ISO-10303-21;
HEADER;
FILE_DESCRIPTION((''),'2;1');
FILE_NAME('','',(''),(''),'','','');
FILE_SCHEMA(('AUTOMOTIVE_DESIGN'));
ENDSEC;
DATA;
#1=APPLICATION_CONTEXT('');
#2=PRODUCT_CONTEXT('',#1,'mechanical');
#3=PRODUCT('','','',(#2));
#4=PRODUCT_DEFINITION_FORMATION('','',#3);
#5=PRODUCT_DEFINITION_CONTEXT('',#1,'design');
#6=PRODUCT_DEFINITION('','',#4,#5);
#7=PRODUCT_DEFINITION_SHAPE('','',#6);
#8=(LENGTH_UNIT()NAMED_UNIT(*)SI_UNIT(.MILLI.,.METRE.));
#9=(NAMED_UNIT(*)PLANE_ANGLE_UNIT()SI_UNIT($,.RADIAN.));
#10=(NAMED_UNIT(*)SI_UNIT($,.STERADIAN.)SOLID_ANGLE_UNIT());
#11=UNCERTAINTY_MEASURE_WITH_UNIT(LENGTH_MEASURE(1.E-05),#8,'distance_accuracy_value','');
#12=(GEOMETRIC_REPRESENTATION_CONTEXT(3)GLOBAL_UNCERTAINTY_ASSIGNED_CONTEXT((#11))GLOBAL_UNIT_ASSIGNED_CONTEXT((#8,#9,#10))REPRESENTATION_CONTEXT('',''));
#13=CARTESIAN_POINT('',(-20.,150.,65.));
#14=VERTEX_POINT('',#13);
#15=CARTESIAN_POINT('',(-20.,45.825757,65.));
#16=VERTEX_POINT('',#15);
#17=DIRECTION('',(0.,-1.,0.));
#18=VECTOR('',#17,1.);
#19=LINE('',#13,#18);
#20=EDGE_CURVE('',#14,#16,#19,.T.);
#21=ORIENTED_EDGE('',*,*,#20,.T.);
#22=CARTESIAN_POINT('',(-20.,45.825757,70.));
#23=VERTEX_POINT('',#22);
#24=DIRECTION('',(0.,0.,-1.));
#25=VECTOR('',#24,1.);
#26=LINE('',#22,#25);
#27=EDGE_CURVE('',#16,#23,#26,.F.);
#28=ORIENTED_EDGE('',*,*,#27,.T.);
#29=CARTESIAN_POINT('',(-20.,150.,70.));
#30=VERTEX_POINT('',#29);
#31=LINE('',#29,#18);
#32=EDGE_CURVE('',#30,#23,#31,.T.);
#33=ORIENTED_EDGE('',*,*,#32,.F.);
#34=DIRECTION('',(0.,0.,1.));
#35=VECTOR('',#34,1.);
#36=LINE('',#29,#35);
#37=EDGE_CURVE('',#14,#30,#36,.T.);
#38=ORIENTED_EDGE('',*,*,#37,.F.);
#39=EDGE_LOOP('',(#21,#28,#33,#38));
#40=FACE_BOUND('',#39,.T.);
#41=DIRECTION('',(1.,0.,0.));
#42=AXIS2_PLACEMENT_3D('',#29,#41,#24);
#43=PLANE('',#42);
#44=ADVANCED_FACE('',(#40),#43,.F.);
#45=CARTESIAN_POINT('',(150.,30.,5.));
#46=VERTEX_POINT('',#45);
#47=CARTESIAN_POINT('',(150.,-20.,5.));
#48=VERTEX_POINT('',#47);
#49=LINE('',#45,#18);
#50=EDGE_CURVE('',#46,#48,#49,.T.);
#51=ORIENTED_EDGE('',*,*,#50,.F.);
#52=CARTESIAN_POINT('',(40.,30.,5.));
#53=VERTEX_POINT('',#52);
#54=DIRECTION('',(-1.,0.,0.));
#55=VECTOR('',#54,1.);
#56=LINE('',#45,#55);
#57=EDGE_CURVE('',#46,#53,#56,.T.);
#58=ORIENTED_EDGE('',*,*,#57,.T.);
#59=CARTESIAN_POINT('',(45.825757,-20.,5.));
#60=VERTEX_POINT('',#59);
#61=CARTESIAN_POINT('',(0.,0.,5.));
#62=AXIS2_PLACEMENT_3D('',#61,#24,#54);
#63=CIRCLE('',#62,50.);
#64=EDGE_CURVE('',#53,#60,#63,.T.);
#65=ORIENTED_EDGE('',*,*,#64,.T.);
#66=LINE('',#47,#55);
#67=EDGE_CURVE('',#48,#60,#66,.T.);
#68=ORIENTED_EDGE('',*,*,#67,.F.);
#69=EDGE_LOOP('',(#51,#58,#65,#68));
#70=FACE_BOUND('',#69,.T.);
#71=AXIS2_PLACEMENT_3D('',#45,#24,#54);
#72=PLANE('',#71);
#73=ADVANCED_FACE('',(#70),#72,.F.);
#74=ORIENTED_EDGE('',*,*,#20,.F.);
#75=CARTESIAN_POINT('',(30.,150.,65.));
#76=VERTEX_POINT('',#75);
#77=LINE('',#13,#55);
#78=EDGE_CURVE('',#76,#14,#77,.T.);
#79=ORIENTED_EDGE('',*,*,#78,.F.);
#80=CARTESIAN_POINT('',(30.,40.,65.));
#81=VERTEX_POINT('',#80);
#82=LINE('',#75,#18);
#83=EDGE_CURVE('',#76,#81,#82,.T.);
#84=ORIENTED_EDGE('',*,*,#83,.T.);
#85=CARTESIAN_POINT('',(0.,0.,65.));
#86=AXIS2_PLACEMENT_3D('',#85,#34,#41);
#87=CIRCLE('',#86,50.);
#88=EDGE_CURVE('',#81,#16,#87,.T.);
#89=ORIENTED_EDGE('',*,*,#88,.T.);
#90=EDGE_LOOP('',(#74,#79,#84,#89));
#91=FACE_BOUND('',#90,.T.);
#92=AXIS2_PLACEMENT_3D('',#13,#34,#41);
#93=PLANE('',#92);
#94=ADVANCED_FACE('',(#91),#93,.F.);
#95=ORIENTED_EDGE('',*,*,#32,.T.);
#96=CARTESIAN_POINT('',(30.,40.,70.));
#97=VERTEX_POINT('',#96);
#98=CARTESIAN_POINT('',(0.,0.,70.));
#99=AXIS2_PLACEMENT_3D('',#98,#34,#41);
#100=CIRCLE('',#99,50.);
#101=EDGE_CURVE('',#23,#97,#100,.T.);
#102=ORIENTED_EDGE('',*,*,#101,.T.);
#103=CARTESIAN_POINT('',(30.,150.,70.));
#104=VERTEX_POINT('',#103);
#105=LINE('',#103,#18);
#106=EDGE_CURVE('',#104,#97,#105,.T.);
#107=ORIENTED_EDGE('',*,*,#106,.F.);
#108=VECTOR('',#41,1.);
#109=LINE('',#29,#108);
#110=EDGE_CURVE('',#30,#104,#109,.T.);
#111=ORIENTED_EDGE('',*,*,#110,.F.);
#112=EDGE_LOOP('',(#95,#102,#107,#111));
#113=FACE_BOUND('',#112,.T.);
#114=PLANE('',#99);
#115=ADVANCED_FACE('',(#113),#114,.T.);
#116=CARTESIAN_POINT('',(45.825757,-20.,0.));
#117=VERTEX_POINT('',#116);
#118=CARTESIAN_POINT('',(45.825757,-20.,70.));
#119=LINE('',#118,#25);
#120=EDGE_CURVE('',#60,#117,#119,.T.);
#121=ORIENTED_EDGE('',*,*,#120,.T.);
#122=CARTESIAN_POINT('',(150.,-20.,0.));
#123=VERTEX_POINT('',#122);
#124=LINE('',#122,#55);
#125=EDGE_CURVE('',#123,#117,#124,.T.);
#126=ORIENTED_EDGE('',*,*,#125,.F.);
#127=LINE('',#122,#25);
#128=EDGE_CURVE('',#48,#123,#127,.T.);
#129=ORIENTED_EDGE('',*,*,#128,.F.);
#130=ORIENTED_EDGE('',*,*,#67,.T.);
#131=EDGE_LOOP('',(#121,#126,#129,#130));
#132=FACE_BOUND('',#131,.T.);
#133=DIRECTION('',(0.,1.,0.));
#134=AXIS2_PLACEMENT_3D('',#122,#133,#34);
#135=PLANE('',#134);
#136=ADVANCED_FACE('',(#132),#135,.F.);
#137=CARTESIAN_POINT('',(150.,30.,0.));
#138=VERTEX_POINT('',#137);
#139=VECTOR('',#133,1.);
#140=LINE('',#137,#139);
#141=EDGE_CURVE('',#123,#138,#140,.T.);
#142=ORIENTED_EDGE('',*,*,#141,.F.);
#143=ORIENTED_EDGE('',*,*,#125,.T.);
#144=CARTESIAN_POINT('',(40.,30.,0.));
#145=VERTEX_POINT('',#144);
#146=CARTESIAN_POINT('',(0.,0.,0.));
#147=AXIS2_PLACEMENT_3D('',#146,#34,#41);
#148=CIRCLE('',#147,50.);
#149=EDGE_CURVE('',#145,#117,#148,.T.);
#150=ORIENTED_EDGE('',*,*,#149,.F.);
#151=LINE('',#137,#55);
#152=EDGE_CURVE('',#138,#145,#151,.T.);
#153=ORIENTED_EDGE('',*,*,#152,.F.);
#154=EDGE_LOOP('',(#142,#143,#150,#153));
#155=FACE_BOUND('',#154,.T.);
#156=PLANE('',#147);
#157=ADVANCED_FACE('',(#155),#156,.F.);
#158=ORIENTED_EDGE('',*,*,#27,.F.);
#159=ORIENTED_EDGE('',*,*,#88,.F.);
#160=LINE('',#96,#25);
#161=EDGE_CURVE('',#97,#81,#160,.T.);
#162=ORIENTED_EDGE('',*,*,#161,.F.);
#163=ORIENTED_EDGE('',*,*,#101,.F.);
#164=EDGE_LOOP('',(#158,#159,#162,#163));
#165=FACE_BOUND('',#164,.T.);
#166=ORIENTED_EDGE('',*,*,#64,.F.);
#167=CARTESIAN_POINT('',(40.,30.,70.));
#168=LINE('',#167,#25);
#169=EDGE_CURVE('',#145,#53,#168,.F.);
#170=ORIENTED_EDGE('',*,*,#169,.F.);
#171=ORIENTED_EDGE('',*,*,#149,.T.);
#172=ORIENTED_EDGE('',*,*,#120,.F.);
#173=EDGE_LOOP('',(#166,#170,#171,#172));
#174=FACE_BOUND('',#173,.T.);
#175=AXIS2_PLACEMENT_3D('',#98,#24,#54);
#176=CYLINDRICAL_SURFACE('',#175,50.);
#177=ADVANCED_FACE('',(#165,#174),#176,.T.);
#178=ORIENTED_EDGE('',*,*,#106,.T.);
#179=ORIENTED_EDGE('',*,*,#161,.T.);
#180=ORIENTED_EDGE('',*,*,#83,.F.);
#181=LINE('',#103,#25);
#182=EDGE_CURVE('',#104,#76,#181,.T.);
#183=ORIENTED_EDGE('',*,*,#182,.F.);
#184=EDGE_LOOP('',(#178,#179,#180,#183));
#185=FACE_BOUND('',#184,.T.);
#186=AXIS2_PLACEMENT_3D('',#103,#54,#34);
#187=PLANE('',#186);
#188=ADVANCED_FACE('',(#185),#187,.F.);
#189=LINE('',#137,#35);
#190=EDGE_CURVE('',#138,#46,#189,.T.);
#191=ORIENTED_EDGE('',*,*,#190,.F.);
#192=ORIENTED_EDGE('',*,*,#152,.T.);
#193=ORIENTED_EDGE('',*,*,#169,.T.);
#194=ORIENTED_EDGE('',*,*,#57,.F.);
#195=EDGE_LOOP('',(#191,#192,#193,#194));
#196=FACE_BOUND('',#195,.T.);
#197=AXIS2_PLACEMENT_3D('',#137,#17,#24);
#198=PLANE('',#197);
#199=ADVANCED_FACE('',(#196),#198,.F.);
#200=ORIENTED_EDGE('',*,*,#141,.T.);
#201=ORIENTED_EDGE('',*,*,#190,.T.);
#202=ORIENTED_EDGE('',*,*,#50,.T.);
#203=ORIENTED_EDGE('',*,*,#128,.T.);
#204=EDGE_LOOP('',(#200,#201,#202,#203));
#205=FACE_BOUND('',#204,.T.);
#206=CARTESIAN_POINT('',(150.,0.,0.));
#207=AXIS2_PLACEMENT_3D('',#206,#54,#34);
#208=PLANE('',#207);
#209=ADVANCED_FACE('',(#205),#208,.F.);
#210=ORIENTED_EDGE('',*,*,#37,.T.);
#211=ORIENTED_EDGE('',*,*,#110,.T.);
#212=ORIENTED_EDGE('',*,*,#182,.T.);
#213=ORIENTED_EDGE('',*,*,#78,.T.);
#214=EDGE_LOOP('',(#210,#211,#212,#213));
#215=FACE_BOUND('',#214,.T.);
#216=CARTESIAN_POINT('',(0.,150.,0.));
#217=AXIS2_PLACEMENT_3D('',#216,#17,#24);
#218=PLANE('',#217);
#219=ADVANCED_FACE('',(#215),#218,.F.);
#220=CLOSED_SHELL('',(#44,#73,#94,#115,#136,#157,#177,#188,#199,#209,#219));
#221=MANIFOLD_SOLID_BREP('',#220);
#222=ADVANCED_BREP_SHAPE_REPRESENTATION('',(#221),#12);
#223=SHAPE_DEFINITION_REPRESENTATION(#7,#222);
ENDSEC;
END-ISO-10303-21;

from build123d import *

# Parameters (mm, degrees)
SKETCH1_R           = 50
BOSS_EXTRUDE1_DEPTH = 70
SKETCH2_W           = 50
SKETCH2_H           = 5
BOSS_EXTRUDE2_DEPTH = 150
SKETCH4_W           = 5
SKETCH4_H           = 50
BOSS_EXTRUDE3_DEPTH = 150


with BuildPart() as part:
    # Sketch1 → Boss-Extrude1 (new body)
    with BuildSketch(Plane.XY):
        Circle(SKETCH1_R)
    extrude(amount=BOSS_EXTRUDE1_DEPTH)

    # Sketch2 → Boss-Extrude2 (add)
    with BuildSketch(Plane(origin=(0, 0, 0), x_dir=(1, 0, 0), z_dir=(0, 1, 0))):
        with Locations((5, -67.5)):
            Rectangle(SKETCH2_W, SKETCH2_H)
    extrude(amount=BOSS_EXTRUDE2_DEPTH)

    # Sketch4 → Boss-Extrude3 (add)
    with BuildSketch(Plane(origin=(0, 0, 0), x_dir=(0, 0, -1), z_dir=(1, 0, 0))):
        with Locations((-2.5, 5)):
            Rectangle(SKETCH4_W, SKETCH4_H)
    extrude(amount=BOSS_EXTRUDE3_DEPTH)


solid = part.part
